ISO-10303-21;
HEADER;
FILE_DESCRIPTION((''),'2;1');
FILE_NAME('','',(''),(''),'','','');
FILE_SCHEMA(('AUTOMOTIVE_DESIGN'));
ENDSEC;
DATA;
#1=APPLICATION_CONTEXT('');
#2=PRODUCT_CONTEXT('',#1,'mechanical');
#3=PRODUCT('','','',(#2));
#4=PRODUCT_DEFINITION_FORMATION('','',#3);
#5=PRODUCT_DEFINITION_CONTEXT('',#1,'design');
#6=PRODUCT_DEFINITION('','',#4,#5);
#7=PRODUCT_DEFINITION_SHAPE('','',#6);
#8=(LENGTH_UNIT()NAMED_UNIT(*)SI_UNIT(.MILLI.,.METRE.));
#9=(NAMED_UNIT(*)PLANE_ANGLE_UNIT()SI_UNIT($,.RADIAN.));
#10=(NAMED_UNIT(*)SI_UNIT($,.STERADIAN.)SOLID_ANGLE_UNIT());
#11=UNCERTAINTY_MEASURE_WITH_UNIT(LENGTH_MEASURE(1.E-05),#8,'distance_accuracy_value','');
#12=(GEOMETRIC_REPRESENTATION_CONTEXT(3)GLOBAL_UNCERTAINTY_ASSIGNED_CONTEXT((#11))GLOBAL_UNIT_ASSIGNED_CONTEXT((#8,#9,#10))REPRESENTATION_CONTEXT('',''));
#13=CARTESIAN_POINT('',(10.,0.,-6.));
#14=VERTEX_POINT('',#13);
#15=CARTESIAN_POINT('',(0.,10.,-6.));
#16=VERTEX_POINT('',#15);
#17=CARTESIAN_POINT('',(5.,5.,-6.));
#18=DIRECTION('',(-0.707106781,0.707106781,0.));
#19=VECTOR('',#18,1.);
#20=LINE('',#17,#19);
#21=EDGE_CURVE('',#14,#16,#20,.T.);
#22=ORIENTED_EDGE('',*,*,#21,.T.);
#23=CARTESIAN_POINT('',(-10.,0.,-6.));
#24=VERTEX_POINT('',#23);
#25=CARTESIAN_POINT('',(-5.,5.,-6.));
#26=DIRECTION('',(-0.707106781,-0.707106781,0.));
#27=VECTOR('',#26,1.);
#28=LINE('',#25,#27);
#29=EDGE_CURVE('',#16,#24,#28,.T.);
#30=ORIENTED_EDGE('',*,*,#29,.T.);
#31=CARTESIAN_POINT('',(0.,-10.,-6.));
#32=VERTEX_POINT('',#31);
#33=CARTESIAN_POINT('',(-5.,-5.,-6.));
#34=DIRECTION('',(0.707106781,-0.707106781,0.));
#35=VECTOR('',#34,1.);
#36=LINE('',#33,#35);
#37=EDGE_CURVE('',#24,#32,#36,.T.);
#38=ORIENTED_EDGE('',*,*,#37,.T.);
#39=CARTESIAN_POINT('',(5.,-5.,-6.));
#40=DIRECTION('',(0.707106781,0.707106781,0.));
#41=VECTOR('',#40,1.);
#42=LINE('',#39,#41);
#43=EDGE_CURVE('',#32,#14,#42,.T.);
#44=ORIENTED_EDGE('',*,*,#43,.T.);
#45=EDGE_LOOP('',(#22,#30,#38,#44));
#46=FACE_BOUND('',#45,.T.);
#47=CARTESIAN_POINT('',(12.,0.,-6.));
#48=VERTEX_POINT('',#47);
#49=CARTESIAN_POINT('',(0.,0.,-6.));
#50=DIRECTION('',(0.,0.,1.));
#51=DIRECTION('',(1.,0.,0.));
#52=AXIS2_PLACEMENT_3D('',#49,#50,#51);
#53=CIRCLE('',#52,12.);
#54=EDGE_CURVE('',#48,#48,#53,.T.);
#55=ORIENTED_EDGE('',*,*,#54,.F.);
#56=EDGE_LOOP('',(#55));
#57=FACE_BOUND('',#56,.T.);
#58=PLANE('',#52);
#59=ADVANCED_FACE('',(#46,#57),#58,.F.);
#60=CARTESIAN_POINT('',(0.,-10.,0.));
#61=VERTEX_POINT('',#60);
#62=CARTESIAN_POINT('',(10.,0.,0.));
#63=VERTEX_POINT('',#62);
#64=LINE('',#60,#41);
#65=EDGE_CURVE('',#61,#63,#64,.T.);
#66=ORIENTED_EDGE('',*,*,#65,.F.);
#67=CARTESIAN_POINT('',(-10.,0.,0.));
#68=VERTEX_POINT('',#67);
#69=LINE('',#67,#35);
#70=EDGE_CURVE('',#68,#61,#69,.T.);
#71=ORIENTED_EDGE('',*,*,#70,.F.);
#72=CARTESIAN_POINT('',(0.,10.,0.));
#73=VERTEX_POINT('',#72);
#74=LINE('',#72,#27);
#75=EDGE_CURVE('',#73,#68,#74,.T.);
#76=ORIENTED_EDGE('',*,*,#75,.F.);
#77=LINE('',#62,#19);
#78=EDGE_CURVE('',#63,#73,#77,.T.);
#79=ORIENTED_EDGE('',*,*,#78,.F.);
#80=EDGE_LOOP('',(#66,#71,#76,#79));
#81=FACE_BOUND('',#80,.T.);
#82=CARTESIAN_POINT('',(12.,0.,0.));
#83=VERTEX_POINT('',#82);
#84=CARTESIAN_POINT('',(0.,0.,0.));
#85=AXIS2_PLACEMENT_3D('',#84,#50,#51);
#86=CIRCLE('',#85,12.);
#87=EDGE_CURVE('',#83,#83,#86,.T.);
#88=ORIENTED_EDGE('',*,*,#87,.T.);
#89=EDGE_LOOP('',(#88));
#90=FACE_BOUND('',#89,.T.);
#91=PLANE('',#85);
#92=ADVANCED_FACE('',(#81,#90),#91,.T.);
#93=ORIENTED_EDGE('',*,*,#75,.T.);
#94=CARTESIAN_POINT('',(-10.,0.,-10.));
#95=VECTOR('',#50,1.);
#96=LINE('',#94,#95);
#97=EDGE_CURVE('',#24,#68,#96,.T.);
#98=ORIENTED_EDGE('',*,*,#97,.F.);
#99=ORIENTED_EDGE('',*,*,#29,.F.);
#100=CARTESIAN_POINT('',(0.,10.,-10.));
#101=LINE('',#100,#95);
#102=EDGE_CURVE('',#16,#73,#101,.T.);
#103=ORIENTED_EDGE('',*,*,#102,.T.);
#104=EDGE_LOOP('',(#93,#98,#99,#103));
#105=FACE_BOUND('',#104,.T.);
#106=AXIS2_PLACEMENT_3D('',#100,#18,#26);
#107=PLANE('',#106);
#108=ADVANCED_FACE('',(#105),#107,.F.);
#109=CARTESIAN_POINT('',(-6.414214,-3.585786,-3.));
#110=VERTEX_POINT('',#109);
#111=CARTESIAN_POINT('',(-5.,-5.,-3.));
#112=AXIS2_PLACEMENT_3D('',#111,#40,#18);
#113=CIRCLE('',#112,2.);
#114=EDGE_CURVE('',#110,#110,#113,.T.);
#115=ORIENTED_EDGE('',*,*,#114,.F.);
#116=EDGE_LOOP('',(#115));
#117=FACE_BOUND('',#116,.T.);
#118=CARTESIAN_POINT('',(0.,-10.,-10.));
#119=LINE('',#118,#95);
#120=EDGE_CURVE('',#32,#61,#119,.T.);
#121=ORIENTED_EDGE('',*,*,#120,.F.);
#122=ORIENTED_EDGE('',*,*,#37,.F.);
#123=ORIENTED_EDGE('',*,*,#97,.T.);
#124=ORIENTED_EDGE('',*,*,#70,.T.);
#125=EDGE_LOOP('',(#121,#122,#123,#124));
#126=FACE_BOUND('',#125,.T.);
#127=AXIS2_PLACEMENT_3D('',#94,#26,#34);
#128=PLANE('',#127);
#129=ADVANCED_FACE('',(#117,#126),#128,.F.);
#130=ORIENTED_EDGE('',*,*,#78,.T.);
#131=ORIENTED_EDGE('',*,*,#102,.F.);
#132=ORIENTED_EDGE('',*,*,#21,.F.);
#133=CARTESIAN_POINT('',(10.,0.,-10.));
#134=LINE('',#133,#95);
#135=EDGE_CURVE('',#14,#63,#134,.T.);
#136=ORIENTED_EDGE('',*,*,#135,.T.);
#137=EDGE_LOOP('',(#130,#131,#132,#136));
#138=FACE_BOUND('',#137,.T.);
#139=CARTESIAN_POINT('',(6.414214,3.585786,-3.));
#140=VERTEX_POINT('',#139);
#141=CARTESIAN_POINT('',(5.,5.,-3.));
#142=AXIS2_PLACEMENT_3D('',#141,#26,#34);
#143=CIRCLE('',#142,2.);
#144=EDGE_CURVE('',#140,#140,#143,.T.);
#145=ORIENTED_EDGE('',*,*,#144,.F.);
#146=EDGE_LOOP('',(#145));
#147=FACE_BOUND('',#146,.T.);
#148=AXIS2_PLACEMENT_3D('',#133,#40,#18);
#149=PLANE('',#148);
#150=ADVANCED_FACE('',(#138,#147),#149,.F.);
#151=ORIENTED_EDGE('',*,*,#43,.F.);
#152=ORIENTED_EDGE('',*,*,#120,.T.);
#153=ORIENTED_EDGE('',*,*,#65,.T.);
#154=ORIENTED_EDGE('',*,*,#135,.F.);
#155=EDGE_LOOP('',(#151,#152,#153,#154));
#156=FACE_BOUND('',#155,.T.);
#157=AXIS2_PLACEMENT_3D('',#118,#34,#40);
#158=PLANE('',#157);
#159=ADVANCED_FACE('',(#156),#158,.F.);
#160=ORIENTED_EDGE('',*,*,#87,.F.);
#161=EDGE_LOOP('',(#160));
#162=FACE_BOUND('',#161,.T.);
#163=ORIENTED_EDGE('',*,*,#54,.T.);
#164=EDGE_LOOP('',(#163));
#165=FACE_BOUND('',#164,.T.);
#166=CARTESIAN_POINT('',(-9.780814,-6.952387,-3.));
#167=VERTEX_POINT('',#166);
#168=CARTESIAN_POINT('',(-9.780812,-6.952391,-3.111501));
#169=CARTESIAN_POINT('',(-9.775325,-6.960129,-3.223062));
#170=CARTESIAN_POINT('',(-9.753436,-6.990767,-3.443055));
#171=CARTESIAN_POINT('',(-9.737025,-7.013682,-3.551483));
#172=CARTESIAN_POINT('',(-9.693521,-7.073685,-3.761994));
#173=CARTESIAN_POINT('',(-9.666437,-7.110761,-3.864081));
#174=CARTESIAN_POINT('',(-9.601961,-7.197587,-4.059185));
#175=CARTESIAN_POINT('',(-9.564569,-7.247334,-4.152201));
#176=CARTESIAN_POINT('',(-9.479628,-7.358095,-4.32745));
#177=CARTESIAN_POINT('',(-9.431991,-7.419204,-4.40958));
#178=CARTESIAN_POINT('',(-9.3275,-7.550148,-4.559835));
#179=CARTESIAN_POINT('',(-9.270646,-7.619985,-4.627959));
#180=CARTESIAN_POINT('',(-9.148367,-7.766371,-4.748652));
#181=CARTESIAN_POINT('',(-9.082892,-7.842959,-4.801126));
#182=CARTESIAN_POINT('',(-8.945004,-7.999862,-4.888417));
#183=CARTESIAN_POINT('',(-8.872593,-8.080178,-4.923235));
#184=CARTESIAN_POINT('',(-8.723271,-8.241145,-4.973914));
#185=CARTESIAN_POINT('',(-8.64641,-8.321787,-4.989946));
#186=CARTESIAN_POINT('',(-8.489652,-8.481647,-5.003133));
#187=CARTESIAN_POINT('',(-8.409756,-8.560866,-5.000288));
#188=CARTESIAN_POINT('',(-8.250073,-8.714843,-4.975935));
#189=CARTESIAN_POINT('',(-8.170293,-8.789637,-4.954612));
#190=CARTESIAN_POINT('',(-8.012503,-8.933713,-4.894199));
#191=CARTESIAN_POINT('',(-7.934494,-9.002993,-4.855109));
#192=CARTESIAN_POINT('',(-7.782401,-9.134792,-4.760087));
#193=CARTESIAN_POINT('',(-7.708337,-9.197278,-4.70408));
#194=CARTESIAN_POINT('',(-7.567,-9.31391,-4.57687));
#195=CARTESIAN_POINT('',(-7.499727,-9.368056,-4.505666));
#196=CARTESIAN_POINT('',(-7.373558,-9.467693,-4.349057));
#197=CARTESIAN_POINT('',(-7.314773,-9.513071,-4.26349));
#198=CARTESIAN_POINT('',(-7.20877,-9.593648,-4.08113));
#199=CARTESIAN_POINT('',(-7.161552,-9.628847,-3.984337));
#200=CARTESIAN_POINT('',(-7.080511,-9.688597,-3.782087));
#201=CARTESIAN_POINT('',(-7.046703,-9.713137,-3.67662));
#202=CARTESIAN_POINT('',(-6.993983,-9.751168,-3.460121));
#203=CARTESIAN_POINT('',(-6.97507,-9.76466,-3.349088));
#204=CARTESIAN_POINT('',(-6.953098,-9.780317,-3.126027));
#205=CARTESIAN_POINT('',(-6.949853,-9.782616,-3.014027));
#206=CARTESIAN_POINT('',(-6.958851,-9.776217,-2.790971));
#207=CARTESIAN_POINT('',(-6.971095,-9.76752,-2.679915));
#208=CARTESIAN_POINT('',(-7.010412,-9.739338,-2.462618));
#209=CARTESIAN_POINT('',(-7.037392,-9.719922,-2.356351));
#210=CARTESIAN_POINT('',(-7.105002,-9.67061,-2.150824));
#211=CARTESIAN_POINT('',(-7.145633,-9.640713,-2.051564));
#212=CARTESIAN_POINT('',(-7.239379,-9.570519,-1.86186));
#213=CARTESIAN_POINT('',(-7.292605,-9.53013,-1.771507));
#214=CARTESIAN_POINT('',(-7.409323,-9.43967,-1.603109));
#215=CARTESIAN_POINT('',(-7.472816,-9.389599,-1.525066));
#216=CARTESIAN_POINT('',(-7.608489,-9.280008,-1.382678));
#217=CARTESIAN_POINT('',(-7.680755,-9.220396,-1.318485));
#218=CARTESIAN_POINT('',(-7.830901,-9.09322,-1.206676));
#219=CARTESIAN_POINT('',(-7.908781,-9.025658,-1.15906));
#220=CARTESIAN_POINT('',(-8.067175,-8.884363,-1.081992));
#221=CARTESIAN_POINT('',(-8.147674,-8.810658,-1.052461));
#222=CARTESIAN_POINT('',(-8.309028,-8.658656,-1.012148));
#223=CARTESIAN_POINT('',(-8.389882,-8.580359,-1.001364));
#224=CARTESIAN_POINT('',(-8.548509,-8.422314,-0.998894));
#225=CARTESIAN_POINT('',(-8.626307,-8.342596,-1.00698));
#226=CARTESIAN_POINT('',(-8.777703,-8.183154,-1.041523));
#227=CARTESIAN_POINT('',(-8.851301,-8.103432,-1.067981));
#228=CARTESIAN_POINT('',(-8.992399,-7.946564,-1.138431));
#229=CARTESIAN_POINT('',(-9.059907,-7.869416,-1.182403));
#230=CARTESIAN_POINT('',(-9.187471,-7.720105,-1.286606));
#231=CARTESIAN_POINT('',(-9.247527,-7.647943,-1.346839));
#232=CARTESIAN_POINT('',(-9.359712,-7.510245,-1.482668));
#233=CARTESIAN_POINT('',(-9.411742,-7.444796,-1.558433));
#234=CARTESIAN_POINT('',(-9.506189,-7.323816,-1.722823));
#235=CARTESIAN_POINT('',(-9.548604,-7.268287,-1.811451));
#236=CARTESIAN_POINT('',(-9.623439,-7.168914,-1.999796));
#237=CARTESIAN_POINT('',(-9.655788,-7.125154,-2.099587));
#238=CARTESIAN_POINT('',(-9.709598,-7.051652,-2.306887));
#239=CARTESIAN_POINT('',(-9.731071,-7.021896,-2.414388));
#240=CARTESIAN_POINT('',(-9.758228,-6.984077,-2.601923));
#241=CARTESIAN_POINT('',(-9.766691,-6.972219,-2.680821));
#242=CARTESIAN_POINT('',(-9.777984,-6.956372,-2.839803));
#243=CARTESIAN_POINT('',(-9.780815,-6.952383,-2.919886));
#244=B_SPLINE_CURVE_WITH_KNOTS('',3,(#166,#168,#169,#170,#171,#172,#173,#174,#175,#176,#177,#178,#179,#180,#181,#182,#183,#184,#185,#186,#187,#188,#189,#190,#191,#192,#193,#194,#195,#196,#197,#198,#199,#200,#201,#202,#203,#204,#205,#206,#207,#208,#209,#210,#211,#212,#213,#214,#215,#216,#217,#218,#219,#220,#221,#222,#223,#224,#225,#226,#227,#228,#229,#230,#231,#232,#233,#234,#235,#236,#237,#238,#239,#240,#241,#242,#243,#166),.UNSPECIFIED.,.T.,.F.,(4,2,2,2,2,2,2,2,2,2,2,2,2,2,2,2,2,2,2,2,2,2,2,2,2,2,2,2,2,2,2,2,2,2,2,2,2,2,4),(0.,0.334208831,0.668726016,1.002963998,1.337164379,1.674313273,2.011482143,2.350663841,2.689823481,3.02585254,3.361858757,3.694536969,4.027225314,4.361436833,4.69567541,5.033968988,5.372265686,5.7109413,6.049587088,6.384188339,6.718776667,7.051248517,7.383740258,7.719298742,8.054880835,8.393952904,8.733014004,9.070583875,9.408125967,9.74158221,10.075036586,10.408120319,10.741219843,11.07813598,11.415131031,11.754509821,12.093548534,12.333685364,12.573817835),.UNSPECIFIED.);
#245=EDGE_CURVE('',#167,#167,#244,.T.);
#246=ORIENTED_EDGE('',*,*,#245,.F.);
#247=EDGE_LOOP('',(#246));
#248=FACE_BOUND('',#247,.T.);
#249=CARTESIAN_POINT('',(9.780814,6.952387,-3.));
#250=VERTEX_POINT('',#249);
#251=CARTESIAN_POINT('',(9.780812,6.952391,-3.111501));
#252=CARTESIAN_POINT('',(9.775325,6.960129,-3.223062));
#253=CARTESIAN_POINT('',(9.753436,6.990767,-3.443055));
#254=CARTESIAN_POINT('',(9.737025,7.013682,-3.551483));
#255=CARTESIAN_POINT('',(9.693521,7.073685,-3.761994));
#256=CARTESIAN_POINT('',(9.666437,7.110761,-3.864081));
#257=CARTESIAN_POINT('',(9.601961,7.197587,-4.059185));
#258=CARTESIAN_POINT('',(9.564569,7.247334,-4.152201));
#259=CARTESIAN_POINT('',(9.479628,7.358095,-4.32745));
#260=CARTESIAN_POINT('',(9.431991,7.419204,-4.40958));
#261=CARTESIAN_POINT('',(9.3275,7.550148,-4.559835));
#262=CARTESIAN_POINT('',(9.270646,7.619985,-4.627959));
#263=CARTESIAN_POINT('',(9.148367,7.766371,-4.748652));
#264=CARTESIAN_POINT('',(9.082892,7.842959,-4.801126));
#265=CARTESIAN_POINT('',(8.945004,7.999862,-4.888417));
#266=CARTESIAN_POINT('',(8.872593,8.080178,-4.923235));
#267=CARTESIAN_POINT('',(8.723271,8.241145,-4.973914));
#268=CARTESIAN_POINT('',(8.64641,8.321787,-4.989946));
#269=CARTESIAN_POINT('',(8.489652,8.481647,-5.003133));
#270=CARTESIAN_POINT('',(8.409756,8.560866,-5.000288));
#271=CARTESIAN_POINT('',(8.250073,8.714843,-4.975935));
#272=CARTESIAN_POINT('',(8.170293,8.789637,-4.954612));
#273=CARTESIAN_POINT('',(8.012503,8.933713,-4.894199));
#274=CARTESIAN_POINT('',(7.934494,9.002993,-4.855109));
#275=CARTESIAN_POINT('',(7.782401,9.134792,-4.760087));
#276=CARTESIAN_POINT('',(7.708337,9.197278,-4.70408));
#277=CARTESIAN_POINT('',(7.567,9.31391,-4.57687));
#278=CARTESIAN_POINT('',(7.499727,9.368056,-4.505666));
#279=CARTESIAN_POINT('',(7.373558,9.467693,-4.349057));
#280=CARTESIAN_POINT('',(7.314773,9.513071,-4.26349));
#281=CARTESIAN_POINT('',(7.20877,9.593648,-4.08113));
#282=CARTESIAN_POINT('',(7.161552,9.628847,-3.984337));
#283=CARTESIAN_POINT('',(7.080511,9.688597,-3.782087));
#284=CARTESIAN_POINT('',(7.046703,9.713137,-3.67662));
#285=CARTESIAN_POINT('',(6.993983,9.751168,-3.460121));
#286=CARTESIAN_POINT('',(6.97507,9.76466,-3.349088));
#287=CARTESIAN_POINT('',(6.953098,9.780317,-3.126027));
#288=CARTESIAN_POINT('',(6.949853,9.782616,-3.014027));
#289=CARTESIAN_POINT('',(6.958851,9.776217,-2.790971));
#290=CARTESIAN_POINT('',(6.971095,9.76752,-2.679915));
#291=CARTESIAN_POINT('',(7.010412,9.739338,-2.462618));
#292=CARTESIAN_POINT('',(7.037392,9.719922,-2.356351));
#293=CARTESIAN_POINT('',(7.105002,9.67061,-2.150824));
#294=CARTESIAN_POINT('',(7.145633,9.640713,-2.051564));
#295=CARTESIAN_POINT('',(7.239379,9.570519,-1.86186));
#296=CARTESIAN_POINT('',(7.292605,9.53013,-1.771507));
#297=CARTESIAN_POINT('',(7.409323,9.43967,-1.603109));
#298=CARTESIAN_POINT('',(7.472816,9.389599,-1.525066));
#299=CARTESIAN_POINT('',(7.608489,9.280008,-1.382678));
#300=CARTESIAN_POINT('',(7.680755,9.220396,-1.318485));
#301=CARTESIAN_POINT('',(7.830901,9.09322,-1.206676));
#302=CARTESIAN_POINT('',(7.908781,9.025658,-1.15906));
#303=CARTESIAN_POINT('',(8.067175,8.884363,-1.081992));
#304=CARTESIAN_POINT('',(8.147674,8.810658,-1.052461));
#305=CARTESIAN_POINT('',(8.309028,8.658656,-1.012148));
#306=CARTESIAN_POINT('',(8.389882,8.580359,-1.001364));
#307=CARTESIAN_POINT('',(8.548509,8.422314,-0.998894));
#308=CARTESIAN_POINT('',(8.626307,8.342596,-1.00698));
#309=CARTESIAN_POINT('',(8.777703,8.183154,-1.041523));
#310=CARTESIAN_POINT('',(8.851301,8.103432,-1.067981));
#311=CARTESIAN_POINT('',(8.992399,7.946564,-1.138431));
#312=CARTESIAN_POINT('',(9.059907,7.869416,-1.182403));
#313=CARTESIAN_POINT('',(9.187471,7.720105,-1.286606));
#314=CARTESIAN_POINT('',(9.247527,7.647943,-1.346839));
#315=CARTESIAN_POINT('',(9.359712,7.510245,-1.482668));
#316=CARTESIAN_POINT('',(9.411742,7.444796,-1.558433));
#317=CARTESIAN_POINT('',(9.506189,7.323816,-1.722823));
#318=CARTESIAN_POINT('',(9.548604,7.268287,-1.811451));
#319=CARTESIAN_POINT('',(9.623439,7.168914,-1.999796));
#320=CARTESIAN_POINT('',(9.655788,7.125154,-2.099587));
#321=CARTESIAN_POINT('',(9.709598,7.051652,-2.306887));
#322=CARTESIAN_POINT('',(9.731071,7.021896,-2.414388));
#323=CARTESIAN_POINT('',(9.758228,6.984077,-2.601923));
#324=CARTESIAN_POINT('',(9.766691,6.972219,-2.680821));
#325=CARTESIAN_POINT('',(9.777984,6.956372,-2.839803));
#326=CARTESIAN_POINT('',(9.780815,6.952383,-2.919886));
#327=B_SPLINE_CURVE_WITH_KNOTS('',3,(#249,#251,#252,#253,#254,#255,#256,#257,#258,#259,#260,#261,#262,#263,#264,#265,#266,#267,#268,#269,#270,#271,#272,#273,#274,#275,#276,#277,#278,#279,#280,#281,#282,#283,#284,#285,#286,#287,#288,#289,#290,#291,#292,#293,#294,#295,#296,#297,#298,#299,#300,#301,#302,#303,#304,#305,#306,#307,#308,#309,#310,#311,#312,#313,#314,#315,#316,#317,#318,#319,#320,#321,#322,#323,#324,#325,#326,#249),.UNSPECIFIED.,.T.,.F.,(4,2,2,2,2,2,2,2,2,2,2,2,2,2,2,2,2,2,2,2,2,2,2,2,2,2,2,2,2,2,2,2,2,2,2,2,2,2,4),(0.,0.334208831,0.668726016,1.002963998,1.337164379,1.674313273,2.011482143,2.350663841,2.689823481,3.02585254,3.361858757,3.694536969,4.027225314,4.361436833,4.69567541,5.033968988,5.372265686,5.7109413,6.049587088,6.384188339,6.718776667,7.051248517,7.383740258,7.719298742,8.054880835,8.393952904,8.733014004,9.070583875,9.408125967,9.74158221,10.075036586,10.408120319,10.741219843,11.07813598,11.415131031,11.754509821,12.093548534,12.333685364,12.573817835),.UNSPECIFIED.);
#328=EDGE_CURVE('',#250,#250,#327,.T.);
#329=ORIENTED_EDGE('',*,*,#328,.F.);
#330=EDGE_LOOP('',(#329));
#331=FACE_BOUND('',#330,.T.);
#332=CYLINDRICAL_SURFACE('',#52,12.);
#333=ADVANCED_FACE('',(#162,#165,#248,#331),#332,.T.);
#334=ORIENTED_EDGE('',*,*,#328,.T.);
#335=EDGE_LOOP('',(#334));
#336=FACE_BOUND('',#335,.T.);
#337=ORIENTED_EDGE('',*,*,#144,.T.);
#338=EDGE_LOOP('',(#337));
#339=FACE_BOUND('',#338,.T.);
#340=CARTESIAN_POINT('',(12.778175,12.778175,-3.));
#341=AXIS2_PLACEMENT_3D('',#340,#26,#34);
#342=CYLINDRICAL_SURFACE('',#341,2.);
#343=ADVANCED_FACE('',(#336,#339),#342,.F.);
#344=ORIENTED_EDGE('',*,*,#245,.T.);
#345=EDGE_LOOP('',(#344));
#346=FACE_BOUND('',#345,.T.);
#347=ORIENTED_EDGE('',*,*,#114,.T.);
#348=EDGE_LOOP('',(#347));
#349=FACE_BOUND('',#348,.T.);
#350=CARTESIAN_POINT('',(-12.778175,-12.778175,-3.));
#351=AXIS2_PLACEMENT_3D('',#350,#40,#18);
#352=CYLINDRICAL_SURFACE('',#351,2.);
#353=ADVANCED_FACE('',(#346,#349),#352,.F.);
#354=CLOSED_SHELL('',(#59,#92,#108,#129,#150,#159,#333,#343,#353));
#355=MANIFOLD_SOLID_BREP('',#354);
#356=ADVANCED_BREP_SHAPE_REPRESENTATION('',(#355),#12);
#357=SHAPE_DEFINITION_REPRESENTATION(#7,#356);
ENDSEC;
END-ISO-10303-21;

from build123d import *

# Parameters (mm, degrees)
SKETCH_1_R          = 12
EXTRUDE_1_DEPTH     = 6
CUT_EXTRUDE_1_DEPTH = 10
CUT_EXTRUDE_6_DEPTH = 11
CUT_EXTRUDE_START   = -11
CUT_EXTRUDE_7_DEPTH = 11


with BuildPart() as part:
    # 草图1 → 凸台-拉伸1 (new body)
    with BuildSketch(Plane.XY):
        Circle(SKETCH_1_R)
    extrude(amount=-EXTRUDE_1_DEPTH)

    # 草图2 → 切除-拉伸1 (cut)
    with BuildSketch(Plane.XY):
        Polygon((10, 0), (0, 10), (-10, 0), (0, -10), align=None)
    extrude(amount=-CUT_EXTRUDE_1_DEPTH, mode=Mode.SUBTRACT)

    # 草图7 → 切除-拉伸6 (cut)
    with BuildSketch(Plane(origin=(5, 5, 0), x_dir=(0, 0, 1), z_dir=(-0.7071067811865477, -0.7071067811865475, 0))):
        with BuildLine():
            ThreePointArc((-1, 0), (-3, 2), (-5, 0))
            Line((-5, 0), (-1, 0))
        make_face()
        with BuildLine():
            Line((-1, 0), (-5, 0))
            ThreePointArc((-5, 0), (-3, -2), (-1, 0))
        make_face()
    extrude(amount=-CUT_EXTRUDE_6_DEPTH, mode=Mode.SUBTRACT)

    # 草图8 → 切除-拉伸7 (cut)
    with BuildSketch(Plane(origin=(-5, -5, 0), x_dir=(0, 0, -1), z_dir=(0.7071067811865477, 0.7071067811865475, 0)).offset(CUT_EXTRUDE_START)):
        with BuildLine():
            ThreePointArc((1, 0), (3, -2), (5, 0))
            Line((5, 0), (1, 0))
        make_face()
        with BuildLine():
            Line((1, 0), (5, 0))
            ThreePointArc((5, 0), (3, 2), (1, 0))
        make_face()
    extrude(amount=CUT_EXTRUDE_7_DEPTH, mode=Mode.SUBTRACT)


solid = part.part
